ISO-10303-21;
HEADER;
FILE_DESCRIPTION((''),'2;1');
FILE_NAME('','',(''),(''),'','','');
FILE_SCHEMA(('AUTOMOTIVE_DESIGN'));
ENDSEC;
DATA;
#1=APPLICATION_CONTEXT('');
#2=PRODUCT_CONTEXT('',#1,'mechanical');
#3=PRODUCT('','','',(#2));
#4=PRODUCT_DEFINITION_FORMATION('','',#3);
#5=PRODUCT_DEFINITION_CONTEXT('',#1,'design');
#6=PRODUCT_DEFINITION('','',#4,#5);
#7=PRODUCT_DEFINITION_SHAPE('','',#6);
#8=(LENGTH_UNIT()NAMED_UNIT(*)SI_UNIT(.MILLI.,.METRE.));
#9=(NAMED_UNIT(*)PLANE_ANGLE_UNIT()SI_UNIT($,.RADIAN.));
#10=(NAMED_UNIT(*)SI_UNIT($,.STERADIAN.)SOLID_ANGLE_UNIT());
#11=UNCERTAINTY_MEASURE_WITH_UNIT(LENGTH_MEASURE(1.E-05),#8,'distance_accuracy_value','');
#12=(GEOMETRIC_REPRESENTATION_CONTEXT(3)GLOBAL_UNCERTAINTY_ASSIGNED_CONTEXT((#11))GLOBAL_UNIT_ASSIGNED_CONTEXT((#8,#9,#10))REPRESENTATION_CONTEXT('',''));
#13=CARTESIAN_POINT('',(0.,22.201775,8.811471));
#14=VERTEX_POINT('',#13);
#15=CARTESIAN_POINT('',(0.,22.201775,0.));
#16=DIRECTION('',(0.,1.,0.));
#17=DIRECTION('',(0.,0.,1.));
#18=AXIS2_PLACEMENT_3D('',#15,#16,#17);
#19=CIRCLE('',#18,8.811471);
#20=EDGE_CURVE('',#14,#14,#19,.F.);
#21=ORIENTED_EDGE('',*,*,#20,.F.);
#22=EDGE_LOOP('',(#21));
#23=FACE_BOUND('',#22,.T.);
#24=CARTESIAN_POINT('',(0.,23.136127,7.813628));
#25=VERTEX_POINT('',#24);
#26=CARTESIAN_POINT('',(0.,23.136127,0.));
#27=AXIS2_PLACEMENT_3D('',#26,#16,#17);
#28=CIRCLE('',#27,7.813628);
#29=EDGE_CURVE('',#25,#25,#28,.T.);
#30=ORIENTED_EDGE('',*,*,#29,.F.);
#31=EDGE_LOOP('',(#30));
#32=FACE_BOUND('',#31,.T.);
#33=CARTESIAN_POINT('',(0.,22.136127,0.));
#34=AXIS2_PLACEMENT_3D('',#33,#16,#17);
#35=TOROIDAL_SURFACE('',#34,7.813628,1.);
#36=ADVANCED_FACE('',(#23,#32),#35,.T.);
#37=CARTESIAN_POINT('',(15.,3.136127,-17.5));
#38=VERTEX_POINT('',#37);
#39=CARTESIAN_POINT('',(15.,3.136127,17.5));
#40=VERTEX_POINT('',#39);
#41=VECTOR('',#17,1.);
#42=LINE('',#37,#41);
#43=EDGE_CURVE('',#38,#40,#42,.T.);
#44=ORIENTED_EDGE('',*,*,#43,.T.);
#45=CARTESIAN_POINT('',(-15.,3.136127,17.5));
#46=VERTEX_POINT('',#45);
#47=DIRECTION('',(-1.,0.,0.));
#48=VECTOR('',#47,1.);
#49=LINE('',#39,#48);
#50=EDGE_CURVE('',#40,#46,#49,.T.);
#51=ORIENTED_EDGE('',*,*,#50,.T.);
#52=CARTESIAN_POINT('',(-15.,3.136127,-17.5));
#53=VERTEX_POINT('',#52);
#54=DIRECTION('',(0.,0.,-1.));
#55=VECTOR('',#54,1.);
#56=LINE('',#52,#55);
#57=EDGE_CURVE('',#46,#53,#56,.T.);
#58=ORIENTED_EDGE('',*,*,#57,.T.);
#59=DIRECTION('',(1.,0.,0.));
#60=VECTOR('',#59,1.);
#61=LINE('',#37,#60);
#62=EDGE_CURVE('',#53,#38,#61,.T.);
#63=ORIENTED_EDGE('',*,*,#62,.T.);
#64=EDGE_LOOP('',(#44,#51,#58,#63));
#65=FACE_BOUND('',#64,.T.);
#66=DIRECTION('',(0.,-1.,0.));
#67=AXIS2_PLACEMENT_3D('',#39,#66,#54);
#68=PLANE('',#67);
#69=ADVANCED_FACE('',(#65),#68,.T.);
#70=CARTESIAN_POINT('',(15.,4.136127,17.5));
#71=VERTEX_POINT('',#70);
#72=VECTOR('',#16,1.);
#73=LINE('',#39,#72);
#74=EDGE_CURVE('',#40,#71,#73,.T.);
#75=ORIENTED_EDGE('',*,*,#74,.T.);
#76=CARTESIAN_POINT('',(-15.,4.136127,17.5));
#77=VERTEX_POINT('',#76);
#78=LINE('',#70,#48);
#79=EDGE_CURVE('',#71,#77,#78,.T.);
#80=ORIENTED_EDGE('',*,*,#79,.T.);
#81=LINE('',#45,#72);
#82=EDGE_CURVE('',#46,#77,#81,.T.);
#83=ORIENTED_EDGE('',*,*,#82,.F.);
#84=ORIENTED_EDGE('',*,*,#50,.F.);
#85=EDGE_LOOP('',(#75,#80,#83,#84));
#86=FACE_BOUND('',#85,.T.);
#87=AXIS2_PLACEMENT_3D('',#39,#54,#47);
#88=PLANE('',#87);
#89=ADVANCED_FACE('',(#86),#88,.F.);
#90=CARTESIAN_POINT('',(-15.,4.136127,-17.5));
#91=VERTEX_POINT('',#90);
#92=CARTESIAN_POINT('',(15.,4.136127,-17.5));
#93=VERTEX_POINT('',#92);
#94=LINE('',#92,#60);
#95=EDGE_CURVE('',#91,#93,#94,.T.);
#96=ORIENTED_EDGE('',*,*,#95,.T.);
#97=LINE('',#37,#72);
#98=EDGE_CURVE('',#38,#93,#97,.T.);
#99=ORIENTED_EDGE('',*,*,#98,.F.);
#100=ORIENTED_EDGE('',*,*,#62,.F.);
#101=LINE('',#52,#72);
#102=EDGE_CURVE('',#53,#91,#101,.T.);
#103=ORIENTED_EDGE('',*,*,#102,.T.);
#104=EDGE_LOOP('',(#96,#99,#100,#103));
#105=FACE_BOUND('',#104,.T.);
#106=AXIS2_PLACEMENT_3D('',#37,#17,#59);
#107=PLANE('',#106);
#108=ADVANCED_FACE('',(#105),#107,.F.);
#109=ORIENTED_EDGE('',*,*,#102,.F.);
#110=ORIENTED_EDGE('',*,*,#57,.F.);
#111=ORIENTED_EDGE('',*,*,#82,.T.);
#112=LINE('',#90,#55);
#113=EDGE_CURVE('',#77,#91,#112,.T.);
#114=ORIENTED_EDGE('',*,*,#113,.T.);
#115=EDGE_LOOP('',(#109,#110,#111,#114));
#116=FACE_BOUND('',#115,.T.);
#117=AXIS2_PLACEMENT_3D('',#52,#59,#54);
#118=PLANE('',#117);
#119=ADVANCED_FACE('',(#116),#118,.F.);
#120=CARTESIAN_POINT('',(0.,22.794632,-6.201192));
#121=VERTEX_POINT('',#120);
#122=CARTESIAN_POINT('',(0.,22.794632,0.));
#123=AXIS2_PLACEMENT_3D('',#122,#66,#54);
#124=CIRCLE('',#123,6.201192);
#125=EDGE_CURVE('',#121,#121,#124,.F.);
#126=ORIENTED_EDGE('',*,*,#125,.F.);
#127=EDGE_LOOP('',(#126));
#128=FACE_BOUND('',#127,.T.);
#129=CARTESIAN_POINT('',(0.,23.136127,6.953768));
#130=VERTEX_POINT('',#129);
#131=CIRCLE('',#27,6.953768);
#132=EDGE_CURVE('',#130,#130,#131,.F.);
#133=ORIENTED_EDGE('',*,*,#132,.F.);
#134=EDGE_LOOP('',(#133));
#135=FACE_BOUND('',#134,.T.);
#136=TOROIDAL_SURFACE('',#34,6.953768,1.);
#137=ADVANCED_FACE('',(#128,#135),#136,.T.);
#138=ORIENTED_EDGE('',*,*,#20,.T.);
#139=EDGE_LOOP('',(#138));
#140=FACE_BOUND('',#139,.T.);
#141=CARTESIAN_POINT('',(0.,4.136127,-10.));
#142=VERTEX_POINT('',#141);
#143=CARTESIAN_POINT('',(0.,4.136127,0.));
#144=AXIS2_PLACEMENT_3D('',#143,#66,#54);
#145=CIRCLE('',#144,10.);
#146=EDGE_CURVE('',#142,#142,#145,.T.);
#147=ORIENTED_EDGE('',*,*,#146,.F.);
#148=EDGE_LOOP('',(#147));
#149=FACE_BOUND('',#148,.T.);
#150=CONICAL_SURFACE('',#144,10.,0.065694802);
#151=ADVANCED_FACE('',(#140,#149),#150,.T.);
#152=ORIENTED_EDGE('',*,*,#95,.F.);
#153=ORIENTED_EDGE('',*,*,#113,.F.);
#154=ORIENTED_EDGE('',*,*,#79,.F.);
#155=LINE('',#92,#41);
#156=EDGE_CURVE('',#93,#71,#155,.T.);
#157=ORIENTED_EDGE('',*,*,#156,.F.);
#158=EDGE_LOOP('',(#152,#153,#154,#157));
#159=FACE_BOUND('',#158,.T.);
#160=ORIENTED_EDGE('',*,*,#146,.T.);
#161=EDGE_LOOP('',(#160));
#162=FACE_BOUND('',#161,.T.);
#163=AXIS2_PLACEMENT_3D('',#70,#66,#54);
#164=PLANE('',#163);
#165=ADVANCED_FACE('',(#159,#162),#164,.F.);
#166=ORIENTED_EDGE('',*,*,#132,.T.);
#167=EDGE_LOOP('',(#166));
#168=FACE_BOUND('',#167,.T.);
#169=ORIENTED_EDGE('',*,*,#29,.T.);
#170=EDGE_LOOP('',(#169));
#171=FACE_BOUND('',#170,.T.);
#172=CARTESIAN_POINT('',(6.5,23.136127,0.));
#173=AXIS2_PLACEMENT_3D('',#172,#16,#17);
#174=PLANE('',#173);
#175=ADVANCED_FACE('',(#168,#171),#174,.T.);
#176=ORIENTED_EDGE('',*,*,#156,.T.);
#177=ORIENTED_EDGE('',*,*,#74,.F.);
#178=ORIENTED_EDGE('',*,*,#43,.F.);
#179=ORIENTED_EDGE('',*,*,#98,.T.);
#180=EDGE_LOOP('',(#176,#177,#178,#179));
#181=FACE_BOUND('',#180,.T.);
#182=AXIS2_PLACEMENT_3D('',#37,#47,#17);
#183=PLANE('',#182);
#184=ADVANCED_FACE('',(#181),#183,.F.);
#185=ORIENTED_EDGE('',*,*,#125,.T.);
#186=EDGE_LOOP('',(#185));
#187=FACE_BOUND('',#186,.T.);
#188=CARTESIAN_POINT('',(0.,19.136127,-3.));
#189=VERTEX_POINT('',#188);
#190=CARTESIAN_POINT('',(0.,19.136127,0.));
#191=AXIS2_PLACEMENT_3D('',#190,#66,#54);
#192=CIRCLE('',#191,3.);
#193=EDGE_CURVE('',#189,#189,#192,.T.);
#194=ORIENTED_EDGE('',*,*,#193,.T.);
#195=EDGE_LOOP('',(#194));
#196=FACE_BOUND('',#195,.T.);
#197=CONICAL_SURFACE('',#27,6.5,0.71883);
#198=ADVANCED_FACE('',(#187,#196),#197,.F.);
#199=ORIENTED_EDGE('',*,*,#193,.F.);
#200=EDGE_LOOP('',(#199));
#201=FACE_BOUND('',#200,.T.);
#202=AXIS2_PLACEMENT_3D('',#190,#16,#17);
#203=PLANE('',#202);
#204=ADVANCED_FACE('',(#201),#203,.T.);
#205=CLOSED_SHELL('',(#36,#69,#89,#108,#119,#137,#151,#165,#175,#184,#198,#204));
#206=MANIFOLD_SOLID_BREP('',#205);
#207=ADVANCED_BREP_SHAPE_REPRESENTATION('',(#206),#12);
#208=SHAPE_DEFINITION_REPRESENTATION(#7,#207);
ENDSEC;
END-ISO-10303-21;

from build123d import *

# Parameters (mm, degrees)
CONG_1_R           = 1
ESQUISSE2_W        = 30
ESQUISSE2_H        = 35
BOSS_EXTRU_1_DEPTH = 1


with BuildPart() as part:
    # Esquisse1 → Révolution1 (revolve)
    with BuildSketch(Plane.XY, mode=Mode.PRIVATE) as r_volution1_sk:
        Polygon((0, 19.136127235), (3, 19.136127235), (6.5, 23.136127235), (8.75, 23.136127235), (10, 4.136127235), (0, 4.136127235), align=None)
    revolve(r_volution1_sk.sketch.rotate(Axis((0, 0, 0), (0, 1, 0)), 90), axis=Axis((0, 0, 0), (0, 1, 0)))

    # Congé1
    cong_1_edges = [part.edges().sort_by_distance(p)[0] for p in [
        (0, 23.136127235, 8.75),
        (0, 23.136127235, 6.5),
    ]]
    fillet(cong_1_edges, radius=CONG_1_R)

    # Esquisse2 → Boss.-Extru.1 (add)
    with BuildSketch(Plane.XZ.offset(-4.136127235)):
        Rectangle(ESQUISSE2_W, ESQUISSE2_H)
    extrude(amount=BOSS_EXTRU_1_DEPTH)


solid = part.part
